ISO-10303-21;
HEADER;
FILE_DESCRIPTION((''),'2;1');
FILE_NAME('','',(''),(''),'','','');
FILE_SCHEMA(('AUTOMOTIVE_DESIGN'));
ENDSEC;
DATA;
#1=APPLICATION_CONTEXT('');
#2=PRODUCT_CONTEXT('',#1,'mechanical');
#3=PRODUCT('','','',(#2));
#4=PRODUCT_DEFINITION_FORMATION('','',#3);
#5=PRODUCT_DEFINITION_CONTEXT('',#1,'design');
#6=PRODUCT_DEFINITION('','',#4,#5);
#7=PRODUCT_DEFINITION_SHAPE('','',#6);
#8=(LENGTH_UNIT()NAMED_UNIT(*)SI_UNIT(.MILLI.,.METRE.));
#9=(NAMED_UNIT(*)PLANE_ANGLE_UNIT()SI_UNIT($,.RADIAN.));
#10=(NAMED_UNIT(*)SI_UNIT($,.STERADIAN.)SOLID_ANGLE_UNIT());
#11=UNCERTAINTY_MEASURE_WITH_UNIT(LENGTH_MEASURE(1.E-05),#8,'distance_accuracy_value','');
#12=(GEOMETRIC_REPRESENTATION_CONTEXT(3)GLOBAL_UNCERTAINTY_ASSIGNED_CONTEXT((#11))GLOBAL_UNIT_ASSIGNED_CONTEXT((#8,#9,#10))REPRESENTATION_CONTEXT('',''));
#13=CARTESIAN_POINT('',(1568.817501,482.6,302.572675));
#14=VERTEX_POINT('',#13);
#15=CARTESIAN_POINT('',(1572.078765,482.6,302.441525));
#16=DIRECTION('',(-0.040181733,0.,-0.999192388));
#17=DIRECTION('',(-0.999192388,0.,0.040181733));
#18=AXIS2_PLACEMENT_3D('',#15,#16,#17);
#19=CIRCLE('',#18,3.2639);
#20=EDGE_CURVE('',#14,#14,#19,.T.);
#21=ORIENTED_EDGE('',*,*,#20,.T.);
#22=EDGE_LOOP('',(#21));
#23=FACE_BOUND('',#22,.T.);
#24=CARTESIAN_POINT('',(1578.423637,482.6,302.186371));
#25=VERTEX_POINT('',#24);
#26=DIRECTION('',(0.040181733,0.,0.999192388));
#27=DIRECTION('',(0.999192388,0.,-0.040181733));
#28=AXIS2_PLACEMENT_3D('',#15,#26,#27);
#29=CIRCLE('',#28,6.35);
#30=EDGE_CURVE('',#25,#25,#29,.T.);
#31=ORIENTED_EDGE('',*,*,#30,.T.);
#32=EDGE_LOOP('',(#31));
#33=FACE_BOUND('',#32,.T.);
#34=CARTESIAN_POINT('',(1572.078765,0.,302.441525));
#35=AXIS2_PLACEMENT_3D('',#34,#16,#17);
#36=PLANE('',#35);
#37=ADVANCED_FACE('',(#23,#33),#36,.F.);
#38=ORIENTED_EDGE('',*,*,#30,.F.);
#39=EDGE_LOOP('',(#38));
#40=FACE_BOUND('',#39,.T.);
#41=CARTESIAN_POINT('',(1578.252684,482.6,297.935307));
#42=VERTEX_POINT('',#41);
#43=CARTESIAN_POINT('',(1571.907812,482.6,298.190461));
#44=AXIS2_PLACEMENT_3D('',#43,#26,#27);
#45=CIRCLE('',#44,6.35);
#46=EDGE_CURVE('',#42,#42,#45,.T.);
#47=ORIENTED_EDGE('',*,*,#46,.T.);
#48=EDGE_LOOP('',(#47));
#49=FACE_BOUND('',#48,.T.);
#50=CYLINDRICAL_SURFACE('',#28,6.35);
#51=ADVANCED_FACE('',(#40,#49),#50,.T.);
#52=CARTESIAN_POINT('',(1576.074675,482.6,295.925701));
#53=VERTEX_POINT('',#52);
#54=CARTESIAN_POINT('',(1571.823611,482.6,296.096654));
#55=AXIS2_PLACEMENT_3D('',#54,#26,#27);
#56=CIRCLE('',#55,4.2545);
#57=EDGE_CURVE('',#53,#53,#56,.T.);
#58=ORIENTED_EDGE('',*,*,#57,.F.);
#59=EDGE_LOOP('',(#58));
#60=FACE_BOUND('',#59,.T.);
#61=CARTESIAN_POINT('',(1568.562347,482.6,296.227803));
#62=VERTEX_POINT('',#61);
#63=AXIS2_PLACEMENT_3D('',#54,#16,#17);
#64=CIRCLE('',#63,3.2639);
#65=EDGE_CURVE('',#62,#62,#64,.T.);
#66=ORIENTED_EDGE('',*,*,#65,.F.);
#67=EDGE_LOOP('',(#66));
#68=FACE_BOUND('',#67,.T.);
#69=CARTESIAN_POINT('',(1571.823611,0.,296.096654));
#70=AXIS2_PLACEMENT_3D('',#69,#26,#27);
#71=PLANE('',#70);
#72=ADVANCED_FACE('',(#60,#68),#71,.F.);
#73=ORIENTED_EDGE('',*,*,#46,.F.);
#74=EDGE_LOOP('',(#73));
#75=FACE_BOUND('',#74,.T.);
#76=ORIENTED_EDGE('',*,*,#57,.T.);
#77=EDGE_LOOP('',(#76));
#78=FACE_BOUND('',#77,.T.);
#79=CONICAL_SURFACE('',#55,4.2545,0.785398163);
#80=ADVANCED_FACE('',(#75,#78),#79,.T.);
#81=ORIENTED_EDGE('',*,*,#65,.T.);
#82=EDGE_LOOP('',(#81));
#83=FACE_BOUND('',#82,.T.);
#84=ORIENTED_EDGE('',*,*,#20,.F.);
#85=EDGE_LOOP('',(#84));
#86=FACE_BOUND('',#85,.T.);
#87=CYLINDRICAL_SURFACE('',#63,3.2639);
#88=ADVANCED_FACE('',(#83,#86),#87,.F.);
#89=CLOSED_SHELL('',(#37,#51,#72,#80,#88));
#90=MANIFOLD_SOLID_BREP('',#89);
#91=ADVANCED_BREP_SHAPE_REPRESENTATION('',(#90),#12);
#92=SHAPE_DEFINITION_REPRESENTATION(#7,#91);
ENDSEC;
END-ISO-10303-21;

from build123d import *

# Parameters (mm, degrees)
F_1_4_CLEARANCE_HOLE1_D = 6.5278


with BuildPart() as part:
    # Sketch1 → Revolve1 (revolve)
    with BuildSketch(Plane(origin=(1571.632245604, 520.7, 291.338), x_dir=(-0.040181733, 0, -0.999192388), z_dir=(0.999192388, 0, -0.040181733))):
        Polygon((-6.858, -31.75), (-11.1125, -31.75), (-11.1125, -38.1), (-4.7625, -38.1), (-4.7625, -33.8455), align=None)
        Polygon((-11.1125, -31.75), (-11.1125, -38.1), (-4.7625, -38.1), (-4.7625, -33.8455), (-6.858, -31.75), align=None)
    revolve(axis=Axis((1572.07876511, 482.6, 302.441525412), (-0.040181733, 0, -0.999192388)))

    # 1/4 Clearance Hole1 (through all)
    with Locations(Plane(origin=(14.425889754, 0, 358.726173173), x_dir=(-0.999192388, 0, 0.040181733), z_dir=(-0.040181733, 0, -0.999192388))):
        with Locations((-1558.656510966, 482.6)):
            Hole(F_1_4_CLEARANCE_HOLE1_D / 2)


solid = part.part
